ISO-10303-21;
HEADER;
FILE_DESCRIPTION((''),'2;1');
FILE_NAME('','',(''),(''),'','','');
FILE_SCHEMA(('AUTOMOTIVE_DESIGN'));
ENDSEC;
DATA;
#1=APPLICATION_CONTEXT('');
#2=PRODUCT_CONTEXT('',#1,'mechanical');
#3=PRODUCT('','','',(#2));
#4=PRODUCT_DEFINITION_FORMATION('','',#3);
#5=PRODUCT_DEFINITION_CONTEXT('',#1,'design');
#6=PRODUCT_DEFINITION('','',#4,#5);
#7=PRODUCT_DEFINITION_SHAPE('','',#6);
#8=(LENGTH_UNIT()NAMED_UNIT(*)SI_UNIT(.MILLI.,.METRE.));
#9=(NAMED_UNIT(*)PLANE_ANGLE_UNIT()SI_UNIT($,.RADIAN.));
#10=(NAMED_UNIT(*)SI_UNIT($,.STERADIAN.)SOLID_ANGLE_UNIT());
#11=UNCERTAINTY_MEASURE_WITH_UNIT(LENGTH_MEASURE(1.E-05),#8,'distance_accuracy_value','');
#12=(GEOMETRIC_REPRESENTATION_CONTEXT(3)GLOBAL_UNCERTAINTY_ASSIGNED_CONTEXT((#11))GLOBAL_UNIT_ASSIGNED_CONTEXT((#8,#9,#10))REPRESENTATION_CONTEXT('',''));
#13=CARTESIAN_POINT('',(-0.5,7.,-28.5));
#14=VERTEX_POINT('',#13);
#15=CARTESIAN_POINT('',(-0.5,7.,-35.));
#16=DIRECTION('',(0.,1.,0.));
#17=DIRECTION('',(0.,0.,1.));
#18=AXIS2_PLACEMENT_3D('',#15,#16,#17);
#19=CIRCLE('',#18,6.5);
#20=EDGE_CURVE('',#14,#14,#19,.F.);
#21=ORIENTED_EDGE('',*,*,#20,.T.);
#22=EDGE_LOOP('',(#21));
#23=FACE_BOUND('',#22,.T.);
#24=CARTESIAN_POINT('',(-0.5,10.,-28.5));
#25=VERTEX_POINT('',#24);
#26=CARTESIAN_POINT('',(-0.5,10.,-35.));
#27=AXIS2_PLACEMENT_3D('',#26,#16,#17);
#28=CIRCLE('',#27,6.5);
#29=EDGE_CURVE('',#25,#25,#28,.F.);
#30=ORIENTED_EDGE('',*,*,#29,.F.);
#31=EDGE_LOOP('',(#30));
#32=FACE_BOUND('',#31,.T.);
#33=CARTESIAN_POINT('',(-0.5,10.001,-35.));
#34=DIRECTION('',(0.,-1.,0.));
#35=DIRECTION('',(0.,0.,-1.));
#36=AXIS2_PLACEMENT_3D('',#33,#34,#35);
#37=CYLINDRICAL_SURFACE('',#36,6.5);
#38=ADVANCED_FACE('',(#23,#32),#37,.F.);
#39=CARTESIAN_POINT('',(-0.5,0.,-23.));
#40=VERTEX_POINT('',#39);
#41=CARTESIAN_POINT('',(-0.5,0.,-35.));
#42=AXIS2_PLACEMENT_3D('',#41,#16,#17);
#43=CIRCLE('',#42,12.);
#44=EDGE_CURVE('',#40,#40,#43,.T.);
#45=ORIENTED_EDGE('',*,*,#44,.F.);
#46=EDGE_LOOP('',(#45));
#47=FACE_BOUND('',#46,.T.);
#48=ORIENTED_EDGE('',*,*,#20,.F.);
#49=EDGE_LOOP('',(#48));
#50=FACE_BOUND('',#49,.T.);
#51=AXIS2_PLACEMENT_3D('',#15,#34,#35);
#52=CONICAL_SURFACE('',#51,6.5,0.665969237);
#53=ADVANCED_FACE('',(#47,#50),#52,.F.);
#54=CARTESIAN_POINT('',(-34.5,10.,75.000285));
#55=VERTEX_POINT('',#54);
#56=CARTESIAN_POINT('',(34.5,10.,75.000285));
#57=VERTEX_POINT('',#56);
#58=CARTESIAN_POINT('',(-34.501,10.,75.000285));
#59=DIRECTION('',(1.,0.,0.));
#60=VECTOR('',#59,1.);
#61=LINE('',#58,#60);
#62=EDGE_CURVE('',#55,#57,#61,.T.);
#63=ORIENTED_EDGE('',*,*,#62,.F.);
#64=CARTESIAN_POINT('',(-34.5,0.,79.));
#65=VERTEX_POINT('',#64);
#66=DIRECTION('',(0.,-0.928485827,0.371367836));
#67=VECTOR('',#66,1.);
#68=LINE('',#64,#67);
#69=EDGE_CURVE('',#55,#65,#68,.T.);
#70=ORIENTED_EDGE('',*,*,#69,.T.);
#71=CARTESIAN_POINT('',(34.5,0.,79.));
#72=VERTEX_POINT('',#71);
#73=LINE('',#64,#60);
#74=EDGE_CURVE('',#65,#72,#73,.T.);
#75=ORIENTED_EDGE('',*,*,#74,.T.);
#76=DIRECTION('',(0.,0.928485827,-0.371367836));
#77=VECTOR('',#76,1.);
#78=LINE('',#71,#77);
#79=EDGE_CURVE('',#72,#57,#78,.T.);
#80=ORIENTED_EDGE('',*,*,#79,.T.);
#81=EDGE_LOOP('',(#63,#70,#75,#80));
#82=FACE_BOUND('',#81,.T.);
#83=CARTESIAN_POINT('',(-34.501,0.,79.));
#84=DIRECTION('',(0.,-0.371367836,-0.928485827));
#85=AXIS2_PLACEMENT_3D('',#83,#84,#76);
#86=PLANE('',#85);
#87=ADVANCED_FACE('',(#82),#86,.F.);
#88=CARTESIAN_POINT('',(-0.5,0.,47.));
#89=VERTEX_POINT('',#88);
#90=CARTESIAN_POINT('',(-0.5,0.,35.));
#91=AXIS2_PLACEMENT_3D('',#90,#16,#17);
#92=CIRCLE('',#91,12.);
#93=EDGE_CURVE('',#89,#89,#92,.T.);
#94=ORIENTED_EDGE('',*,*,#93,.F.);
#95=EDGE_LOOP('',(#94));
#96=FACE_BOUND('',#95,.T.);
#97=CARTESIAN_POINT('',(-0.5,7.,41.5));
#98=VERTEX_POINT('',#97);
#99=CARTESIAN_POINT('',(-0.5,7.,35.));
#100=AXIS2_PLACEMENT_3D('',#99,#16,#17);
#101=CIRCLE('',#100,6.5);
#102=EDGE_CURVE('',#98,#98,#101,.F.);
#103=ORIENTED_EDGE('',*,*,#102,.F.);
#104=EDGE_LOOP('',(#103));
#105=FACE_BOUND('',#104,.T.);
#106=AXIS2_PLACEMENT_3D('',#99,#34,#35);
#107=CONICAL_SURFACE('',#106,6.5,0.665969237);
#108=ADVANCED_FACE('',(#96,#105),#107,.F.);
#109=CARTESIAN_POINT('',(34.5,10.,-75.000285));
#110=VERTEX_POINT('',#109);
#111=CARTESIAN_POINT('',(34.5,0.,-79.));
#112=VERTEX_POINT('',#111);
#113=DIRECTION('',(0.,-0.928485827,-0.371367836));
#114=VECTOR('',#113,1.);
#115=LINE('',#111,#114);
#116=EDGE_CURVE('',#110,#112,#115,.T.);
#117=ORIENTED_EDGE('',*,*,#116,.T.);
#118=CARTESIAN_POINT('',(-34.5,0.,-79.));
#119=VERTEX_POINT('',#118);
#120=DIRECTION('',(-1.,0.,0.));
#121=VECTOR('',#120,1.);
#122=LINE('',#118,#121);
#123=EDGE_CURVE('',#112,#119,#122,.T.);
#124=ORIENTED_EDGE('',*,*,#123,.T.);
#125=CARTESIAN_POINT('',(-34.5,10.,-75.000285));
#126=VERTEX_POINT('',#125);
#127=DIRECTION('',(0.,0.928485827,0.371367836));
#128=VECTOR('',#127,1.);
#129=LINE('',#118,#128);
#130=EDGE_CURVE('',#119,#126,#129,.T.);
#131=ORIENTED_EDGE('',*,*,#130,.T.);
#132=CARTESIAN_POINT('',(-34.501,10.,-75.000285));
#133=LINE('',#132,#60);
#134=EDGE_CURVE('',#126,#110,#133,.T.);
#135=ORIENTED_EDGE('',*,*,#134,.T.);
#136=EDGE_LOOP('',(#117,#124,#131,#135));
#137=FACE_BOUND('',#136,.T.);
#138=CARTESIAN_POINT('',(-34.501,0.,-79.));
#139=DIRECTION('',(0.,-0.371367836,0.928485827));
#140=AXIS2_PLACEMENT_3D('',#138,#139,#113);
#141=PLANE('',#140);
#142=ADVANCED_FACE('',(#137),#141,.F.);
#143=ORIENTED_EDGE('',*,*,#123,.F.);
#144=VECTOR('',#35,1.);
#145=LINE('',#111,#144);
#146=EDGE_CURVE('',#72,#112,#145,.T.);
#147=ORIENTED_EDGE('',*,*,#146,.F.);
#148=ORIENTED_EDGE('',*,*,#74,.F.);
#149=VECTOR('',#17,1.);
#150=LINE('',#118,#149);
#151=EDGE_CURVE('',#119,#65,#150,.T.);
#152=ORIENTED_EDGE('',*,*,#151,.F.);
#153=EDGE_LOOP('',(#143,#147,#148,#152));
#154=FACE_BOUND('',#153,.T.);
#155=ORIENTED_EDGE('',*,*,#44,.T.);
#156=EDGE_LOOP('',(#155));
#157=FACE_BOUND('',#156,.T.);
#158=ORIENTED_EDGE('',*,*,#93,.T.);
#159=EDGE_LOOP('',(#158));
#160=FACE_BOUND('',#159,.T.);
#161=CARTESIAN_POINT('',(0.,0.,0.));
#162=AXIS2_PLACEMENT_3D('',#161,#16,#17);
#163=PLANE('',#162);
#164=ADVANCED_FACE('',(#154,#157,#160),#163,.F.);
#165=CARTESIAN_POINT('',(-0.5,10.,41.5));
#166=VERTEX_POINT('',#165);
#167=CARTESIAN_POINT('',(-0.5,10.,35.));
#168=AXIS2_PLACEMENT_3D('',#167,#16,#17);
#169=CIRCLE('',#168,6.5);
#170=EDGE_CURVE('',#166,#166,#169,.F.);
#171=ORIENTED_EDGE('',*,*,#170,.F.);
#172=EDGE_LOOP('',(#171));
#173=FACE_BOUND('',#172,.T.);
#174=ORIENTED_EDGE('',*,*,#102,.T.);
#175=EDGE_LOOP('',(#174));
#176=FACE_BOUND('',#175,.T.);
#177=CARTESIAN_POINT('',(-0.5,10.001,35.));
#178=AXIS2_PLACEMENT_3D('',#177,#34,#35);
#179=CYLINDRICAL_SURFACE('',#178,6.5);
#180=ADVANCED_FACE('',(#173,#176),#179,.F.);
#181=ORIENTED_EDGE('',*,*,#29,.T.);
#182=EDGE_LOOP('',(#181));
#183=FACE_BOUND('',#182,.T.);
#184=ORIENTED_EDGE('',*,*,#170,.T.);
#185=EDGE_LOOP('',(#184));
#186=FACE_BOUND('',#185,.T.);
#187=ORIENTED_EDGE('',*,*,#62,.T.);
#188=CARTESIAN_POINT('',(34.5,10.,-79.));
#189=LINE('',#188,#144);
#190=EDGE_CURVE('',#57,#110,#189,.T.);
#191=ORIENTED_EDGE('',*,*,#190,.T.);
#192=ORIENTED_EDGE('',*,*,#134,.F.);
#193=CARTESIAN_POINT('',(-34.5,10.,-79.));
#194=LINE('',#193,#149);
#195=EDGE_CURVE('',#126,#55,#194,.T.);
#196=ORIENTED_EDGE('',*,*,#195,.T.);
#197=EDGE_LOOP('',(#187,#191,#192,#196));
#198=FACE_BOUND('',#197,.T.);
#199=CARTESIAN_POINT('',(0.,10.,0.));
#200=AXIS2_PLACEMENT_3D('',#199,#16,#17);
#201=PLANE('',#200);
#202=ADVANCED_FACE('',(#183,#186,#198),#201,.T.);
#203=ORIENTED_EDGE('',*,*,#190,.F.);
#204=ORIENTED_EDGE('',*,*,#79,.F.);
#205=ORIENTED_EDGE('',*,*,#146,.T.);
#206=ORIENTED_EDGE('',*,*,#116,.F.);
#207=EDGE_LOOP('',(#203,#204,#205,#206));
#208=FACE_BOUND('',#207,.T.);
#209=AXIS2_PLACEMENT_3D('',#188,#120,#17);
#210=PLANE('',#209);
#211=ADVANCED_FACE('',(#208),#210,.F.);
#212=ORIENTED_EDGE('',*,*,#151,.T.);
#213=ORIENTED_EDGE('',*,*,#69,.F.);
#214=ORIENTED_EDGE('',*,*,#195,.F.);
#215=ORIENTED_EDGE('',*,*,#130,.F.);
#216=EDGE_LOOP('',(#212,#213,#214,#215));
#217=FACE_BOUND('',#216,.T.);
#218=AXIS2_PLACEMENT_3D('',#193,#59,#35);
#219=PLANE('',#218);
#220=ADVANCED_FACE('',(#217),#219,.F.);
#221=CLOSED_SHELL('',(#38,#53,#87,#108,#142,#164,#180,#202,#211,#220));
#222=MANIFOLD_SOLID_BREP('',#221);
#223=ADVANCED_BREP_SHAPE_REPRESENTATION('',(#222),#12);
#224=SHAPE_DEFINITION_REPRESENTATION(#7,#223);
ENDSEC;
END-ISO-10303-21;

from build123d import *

# Parameters (mm, degrees)
SKETCH_1_W                          = 69
SKETCH_1_H                          = 158
EXTRUDE_1_DEPTH                     = 10
CUT_EXTRUDE_2_REACH                 = 88.783
SKETCH_4_R                          = 6.5
CHAMFER_1_SIZE                      = 5.5
CHAMFER_1_SIZE2                     = 7
PATTERN_LINEAR_2_COUNT              = 2
PATTERN_LINEAR_2_PITCH              = 70
CHAMFER_1_OF_PATTERN_LINEAR_2_SIZE2 = 7
CHAMFER_1_OF_PATTERN_LINEAR_2_SIZE  = 5.5
CUT_EXTRUDE_3_REACH                 = 107.366


with BuildPart() as part:
    # 草图1 → 凸台-拉伸1 (new body)
    with BuildSketch(Plane(origin=(0, 0, 0), x_dir=(1, 0, 0), z_dir=(0, 1, 0))):
        Rectangle(SKETCH_1_W, SKETCH_1_H)
    extrude(amount=EXTRUDE_1_DEPTH)

    # 草图4 → 切除-拉伸2 (cut, up to next)
    with BuildSketch(Plane.XZ, mode=Mode.PRIVATE) as cut_extrude_2_sk1:
        with Locations(Location((-0.5, 35, 0), (0, 0, 270))):
            Circle(SKETCH_4_R)
    cut_extrude_2_tool1 = extrude(cut_extrude_2_sk1.sketch, amount=-CUT_EXTRUDE_2_REACH, mode=Mode.PRIVATE) & part.part
    cut_extrude_2 = cut_extrude_2_tool1.solids().sort_by_distance((-0.5, 0, 35))[0]
    add(cut_extrude_2, mode=Mode.SUBTRACT)

    # 倒角1
    chamfer_1_edges = [part.edges().sort_by_distance(p)[0] for p in [
        (-0.5, 0, 41.5),
    ]]
    chamfer_1_side = [part.faces().sort_by_distance(p)[0] for p in [
        (0.006162549, 0, -0.431378462),
    ]]
    chamfer(chamfer_1_edges, length=CHAMFER_1_SIZE, length2=CHAMFER_1_SIZE2, reference=chamfer_1_side[0])

    # 阵列(线性)2: 切除-拉伸2 ×2
    with Locations(*[(0, 0, -i * PATTERN_LINEAR_2_PITCH) for i in range(1, PATTERN_LINEAR_2_COUNT)]):
        add(cut_extrude_2, mode=Mode.SUBTRACT)

    # 倒角1 of 阵列(线性)2
    chamfer_1_of_pattern_linear_2_edges = [part.edges().sort_by_distance(p)[0] for p in [
        (-0.5, 0, -28.5),
    ]]
    chamfer(chamfer_1_of_pattern_linear_2_edges, length=CHAMFER_1_OF_PATTERN_LINEAR_2_SIZE, length2=CHAMFER_1_OF_PATTERN_LINEAR_2_SIZE2)

    # 草图6 → 切除-拉伸3 (cut, up to next)
    with BuildSketch(Plane(origin=(34.5, 0, 0), x_dir=(0, 0, -1), z_dir=(1, 0, 0)), mode=Mode.PRIVATE) as cut_extrude_3_sk1:
        Polygon((-79, 0), (-75.000285359, 10), (-79, 10), align=None)
    cut_extrude_3_tool1 = extrude(cut_extrude_3_sk1.sketch, amount=-CUT_EXTRUDE_3_REACH, mode=Mode.PRIVATE) & part.part
    # 草图6 → 切除-拉伸3 (cut, up to next)
    with BuildSketch(Plane(origin=(34.5, 0, 0), x_dir=(0, 0, -1), z_dir=(1, 0, 0)), mode=Mode.PRIVATE) as cut_extrude_3_sk2:
        Polygon((79, 10), (79, 0), (75.000285359, 10), align=None)
    cut_extrude_3_tool2 = extrude(cut_extrude_3_sk2.sketch, amount=-CUT_EXTRUDE_3_REACH, mode=Mode.PRIVATE) & part.part
    add(cut_extrude_3_tool1.solids().sort_by_distance((34.5, 6.666667, 77.666762))[0], mode=Mode.SUBTRACT)
    add(cut_extrude_3_tool2.solids().sort_by_distance((34.5, 6.666667, -77.666762))[0], mode=Mode.SUBTRACT)


solid = part.part
